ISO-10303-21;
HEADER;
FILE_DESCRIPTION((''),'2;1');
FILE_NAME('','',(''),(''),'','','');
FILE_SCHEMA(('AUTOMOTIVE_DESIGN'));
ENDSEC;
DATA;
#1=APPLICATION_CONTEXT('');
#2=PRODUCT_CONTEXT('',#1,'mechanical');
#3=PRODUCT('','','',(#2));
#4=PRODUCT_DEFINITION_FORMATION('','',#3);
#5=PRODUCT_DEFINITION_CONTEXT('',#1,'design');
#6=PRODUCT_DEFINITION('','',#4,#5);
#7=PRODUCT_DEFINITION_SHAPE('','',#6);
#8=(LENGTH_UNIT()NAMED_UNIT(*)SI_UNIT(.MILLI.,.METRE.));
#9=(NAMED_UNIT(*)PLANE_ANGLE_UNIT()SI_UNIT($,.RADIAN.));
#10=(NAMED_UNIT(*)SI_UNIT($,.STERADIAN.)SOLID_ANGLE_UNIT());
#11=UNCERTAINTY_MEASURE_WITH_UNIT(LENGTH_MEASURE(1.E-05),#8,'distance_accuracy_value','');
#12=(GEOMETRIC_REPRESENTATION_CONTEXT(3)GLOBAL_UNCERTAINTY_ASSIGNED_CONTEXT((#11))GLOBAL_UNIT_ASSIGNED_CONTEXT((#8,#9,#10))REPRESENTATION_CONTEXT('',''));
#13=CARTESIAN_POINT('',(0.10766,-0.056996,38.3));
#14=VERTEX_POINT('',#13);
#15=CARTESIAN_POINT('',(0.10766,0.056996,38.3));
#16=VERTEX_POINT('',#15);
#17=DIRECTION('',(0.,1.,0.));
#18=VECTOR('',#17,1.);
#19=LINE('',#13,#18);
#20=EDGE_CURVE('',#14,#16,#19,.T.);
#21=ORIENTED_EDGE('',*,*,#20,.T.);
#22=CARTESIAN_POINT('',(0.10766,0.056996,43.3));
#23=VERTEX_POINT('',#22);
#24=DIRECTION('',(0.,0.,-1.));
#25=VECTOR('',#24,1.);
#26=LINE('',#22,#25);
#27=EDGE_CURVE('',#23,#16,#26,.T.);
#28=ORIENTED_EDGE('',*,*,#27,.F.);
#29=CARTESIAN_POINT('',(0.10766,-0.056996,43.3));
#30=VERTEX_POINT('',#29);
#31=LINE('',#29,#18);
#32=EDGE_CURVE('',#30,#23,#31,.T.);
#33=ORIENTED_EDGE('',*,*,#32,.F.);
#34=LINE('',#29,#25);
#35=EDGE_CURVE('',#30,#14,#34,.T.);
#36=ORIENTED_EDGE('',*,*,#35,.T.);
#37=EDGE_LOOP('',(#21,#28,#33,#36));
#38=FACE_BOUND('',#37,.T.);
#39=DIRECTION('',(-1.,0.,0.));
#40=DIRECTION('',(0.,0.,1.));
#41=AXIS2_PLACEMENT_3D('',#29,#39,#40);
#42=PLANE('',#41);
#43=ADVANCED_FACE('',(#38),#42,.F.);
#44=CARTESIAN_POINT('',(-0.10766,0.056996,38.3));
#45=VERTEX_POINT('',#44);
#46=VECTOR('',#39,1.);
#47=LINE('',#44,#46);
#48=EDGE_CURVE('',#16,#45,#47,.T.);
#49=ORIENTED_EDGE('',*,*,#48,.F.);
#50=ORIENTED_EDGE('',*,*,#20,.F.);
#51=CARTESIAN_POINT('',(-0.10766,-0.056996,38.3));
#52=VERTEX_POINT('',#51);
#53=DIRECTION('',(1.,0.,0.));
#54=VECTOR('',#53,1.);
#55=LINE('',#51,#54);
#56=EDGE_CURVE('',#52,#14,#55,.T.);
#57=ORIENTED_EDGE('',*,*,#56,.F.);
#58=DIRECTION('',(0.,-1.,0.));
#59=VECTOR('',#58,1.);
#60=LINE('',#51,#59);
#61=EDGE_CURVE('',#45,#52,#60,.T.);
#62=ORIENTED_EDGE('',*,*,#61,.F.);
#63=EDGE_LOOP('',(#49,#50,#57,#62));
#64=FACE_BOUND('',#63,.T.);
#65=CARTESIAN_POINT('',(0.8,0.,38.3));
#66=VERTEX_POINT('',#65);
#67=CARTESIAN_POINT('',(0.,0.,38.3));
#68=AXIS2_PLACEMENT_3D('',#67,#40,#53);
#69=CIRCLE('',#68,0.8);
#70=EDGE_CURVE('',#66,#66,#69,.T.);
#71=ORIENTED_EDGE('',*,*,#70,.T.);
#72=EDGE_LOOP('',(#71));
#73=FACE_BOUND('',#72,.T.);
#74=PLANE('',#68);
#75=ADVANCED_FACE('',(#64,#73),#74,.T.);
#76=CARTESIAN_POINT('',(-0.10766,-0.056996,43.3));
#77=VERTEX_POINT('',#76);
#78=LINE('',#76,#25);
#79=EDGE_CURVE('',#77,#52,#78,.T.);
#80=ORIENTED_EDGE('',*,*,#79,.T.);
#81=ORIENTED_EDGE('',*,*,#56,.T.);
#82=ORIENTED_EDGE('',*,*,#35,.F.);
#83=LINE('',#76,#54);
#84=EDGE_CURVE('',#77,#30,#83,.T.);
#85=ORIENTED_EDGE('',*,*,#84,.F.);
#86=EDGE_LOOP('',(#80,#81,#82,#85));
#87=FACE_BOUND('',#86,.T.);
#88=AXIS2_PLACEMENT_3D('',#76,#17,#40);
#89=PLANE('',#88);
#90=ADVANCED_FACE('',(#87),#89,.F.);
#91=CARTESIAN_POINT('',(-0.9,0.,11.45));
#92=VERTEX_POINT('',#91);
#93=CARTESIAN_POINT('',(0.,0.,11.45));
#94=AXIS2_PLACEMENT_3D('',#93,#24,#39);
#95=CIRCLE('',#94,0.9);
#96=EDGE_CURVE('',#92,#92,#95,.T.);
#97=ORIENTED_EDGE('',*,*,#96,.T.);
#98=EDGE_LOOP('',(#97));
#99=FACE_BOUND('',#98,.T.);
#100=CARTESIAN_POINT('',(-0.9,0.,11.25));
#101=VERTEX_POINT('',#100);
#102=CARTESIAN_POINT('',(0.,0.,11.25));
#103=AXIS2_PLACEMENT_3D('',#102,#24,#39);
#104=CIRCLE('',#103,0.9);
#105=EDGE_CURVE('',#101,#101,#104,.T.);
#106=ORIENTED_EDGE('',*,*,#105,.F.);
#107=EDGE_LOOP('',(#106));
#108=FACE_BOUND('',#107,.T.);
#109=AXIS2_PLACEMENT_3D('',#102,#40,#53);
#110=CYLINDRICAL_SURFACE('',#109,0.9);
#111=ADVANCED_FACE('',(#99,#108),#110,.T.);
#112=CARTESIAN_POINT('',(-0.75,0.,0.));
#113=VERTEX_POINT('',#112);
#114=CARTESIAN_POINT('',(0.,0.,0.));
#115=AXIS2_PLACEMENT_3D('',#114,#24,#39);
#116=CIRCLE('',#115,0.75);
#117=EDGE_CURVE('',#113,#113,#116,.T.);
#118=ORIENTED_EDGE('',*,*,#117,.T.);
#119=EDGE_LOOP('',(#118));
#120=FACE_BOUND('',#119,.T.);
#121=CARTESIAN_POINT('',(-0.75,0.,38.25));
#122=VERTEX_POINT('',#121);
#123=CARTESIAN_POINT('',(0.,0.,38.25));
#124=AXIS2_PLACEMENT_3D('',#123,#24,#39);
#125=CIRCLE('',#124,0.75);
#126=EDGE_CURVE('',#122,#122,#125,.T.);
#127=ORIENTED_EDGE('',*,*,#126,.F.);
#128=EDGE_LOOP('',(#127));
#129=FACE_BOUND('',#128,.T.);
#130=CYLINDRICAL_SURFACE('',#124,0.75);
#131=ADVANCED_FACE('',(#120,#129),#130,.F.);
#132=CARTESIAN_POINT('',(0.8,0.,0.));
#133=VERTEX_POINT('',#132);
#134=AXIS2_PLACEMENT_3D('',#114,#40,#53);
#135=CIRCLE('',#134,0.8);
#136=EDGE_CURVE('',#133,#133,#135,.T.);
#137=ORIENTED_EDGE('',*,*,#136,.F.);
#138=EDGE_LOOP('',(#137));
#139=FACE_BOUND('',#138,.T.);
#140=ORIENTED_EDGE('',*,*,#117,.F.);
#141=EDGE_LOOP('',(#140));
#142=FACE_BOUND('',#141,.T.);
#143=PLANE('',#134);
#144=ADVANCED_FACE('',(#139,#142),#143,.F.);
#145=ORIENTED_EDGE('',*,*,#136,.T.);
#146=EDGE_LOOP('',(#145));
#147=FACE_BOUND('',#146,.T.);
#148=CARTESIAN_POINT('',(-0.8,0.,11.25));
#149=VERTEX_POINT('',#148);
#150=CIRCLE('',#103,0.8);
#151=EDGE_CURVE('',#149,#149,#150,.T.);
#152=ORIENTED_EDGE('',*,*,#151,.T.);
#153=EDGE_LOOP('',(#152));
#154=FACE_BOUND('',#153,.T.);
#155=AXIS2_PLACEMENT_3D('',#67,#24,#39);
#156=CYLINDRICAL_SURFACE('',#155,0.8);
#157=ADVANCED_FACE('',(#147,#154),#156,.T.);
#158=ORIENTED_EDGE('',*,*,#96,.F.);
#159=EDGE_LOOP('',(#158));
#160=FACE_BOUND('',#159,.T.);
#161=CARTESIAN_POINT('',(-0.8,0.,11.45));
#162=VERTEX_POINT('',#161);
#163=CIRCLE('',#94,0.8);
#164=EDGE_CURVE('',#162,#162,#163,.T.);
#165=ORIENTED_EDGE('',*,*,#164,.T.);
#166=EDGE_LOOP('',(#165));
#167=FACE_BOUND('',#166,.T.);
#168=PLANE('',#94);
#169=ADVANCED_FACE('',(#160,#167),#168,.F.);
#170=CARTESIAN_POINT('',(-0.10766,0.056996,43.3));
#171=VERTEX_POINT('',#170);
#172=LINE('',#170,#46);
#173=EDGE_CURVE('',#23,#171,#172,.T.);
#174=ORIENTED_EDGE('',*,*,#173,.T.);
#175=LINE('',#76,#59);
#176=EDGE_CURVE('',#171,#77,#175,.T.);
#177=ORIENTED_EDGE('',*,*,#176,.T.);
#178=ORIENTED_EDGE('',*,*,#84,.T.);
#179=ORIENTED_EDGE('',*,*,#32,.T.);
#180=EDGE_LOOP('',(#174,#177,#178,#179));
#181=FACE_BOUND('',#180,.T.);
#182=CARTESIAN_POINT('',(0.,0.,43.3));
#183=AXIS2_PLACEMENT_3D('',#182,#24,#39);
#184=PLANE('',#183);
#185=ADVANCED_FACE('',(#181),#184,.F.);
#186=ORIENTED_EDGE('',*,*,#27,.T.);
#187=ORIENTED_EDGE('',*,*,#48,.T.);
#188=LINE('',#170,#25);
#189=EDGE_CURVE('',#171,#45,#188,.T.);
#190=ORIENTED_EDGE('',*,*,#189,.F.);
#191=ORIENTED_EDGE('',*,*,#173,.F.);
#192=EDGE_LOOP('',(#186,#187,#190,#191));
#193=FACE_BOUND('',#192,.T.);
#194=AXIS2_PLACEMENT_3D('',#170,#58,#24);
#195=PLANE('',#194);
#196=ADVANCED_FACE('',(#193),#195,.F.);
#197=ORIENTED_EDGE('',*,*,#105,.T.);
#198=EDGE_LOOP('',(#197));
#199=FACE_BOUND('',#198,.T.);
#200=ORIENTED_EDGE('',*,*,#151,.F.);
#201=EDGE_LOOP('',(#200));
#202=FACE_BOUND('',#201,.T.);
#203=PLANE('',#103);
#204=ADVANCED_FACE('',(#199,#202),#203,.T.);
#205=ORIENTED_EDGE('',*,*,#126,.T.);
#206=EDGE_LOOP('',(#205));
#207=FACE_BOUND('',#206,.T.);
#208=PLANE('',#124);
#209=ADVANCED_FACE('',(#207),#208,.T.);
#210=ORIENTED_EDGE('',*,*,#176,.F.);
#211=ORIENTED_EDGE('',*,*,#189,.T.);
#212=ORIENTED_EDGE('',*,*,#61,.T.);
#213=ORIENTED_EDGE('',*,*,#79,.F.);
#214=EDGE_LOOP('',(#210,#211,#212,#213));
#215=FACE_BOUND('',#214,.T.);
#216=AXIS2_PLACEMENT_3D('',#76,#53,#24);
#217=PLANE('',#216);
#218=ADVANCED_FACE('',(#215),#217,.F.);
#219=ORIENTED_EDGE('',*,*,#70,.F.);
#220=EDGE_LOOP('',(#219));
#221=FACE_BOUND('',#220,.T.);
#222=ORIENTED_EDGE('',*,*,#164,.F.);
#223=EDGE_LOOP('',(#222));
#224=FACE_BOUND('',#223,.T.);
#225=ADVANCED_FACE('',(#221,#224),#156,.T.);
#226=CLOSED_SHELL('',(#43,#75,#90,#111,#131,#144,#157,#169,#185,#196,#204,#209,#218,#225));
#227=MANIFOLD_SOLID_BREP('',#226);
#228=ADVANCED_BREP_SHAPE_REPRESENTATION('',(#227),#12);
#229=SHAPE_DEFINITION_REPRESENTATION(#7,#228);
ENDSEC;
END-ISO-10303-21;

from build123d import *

# Parameters (mm, degrees)
SKETCH4_R           = 0.8
BOSS_EXTRUDE2_DEPTH = 38.3
SKETCH6_R           = 0.9
BOSS_EXTRUDE3_DEPTH = 0.2
SKETCH7_R           = 0.75
CUT_EXTRUDE1_DEPTH  = 38.25
SKETCH8_W           = 0.215319984
SKETCH8_H           = 0.113992932
BOSS_EXTRUDE4_DEPTH = 5


with BuildPart() as part:
    # Sketch4 → Boss-Extrude2 (new body)
    with BuildSketch(Plane.XY):
        Circle(SKETCH4_R)
    extrude(amount=BOSS_EXTRUDE2_DEPTH)

    # Sketch6 → Boss-Extrude3 (add)
    with BuildSketch(Plane(origin=(0, 0, 11.45), x_dir=(-1, 0, 0), z_dir=(0, 0, -1))):
        Circle(SKETCH6_R)
    extrude(amount=BOSS_EXTRUDE3_DEPTH)

    # Sketch7 → Cut-Extrude1 (cut)
    with BuildSketch(Plane(origin=(0, 0, 0), x_dir=(-1, 0, 0), z_dir=(0, 0, -1))):
        Circle(SKETCH7_R)
    extrude(amount=-CUT_EXTRUDE1_DEPTH, mode=Mode.SUBTRACT)

    # Sketch8 → Boss-Extrude4 (add)
    with BuildSketch(Plane.XY.offset(38.3)):
        Rectangle(SKETCH8_W, SKETCH8_H)
    extrude(amount=BOSS_EXTRUDE4_DEPTH)


solid = part.part
